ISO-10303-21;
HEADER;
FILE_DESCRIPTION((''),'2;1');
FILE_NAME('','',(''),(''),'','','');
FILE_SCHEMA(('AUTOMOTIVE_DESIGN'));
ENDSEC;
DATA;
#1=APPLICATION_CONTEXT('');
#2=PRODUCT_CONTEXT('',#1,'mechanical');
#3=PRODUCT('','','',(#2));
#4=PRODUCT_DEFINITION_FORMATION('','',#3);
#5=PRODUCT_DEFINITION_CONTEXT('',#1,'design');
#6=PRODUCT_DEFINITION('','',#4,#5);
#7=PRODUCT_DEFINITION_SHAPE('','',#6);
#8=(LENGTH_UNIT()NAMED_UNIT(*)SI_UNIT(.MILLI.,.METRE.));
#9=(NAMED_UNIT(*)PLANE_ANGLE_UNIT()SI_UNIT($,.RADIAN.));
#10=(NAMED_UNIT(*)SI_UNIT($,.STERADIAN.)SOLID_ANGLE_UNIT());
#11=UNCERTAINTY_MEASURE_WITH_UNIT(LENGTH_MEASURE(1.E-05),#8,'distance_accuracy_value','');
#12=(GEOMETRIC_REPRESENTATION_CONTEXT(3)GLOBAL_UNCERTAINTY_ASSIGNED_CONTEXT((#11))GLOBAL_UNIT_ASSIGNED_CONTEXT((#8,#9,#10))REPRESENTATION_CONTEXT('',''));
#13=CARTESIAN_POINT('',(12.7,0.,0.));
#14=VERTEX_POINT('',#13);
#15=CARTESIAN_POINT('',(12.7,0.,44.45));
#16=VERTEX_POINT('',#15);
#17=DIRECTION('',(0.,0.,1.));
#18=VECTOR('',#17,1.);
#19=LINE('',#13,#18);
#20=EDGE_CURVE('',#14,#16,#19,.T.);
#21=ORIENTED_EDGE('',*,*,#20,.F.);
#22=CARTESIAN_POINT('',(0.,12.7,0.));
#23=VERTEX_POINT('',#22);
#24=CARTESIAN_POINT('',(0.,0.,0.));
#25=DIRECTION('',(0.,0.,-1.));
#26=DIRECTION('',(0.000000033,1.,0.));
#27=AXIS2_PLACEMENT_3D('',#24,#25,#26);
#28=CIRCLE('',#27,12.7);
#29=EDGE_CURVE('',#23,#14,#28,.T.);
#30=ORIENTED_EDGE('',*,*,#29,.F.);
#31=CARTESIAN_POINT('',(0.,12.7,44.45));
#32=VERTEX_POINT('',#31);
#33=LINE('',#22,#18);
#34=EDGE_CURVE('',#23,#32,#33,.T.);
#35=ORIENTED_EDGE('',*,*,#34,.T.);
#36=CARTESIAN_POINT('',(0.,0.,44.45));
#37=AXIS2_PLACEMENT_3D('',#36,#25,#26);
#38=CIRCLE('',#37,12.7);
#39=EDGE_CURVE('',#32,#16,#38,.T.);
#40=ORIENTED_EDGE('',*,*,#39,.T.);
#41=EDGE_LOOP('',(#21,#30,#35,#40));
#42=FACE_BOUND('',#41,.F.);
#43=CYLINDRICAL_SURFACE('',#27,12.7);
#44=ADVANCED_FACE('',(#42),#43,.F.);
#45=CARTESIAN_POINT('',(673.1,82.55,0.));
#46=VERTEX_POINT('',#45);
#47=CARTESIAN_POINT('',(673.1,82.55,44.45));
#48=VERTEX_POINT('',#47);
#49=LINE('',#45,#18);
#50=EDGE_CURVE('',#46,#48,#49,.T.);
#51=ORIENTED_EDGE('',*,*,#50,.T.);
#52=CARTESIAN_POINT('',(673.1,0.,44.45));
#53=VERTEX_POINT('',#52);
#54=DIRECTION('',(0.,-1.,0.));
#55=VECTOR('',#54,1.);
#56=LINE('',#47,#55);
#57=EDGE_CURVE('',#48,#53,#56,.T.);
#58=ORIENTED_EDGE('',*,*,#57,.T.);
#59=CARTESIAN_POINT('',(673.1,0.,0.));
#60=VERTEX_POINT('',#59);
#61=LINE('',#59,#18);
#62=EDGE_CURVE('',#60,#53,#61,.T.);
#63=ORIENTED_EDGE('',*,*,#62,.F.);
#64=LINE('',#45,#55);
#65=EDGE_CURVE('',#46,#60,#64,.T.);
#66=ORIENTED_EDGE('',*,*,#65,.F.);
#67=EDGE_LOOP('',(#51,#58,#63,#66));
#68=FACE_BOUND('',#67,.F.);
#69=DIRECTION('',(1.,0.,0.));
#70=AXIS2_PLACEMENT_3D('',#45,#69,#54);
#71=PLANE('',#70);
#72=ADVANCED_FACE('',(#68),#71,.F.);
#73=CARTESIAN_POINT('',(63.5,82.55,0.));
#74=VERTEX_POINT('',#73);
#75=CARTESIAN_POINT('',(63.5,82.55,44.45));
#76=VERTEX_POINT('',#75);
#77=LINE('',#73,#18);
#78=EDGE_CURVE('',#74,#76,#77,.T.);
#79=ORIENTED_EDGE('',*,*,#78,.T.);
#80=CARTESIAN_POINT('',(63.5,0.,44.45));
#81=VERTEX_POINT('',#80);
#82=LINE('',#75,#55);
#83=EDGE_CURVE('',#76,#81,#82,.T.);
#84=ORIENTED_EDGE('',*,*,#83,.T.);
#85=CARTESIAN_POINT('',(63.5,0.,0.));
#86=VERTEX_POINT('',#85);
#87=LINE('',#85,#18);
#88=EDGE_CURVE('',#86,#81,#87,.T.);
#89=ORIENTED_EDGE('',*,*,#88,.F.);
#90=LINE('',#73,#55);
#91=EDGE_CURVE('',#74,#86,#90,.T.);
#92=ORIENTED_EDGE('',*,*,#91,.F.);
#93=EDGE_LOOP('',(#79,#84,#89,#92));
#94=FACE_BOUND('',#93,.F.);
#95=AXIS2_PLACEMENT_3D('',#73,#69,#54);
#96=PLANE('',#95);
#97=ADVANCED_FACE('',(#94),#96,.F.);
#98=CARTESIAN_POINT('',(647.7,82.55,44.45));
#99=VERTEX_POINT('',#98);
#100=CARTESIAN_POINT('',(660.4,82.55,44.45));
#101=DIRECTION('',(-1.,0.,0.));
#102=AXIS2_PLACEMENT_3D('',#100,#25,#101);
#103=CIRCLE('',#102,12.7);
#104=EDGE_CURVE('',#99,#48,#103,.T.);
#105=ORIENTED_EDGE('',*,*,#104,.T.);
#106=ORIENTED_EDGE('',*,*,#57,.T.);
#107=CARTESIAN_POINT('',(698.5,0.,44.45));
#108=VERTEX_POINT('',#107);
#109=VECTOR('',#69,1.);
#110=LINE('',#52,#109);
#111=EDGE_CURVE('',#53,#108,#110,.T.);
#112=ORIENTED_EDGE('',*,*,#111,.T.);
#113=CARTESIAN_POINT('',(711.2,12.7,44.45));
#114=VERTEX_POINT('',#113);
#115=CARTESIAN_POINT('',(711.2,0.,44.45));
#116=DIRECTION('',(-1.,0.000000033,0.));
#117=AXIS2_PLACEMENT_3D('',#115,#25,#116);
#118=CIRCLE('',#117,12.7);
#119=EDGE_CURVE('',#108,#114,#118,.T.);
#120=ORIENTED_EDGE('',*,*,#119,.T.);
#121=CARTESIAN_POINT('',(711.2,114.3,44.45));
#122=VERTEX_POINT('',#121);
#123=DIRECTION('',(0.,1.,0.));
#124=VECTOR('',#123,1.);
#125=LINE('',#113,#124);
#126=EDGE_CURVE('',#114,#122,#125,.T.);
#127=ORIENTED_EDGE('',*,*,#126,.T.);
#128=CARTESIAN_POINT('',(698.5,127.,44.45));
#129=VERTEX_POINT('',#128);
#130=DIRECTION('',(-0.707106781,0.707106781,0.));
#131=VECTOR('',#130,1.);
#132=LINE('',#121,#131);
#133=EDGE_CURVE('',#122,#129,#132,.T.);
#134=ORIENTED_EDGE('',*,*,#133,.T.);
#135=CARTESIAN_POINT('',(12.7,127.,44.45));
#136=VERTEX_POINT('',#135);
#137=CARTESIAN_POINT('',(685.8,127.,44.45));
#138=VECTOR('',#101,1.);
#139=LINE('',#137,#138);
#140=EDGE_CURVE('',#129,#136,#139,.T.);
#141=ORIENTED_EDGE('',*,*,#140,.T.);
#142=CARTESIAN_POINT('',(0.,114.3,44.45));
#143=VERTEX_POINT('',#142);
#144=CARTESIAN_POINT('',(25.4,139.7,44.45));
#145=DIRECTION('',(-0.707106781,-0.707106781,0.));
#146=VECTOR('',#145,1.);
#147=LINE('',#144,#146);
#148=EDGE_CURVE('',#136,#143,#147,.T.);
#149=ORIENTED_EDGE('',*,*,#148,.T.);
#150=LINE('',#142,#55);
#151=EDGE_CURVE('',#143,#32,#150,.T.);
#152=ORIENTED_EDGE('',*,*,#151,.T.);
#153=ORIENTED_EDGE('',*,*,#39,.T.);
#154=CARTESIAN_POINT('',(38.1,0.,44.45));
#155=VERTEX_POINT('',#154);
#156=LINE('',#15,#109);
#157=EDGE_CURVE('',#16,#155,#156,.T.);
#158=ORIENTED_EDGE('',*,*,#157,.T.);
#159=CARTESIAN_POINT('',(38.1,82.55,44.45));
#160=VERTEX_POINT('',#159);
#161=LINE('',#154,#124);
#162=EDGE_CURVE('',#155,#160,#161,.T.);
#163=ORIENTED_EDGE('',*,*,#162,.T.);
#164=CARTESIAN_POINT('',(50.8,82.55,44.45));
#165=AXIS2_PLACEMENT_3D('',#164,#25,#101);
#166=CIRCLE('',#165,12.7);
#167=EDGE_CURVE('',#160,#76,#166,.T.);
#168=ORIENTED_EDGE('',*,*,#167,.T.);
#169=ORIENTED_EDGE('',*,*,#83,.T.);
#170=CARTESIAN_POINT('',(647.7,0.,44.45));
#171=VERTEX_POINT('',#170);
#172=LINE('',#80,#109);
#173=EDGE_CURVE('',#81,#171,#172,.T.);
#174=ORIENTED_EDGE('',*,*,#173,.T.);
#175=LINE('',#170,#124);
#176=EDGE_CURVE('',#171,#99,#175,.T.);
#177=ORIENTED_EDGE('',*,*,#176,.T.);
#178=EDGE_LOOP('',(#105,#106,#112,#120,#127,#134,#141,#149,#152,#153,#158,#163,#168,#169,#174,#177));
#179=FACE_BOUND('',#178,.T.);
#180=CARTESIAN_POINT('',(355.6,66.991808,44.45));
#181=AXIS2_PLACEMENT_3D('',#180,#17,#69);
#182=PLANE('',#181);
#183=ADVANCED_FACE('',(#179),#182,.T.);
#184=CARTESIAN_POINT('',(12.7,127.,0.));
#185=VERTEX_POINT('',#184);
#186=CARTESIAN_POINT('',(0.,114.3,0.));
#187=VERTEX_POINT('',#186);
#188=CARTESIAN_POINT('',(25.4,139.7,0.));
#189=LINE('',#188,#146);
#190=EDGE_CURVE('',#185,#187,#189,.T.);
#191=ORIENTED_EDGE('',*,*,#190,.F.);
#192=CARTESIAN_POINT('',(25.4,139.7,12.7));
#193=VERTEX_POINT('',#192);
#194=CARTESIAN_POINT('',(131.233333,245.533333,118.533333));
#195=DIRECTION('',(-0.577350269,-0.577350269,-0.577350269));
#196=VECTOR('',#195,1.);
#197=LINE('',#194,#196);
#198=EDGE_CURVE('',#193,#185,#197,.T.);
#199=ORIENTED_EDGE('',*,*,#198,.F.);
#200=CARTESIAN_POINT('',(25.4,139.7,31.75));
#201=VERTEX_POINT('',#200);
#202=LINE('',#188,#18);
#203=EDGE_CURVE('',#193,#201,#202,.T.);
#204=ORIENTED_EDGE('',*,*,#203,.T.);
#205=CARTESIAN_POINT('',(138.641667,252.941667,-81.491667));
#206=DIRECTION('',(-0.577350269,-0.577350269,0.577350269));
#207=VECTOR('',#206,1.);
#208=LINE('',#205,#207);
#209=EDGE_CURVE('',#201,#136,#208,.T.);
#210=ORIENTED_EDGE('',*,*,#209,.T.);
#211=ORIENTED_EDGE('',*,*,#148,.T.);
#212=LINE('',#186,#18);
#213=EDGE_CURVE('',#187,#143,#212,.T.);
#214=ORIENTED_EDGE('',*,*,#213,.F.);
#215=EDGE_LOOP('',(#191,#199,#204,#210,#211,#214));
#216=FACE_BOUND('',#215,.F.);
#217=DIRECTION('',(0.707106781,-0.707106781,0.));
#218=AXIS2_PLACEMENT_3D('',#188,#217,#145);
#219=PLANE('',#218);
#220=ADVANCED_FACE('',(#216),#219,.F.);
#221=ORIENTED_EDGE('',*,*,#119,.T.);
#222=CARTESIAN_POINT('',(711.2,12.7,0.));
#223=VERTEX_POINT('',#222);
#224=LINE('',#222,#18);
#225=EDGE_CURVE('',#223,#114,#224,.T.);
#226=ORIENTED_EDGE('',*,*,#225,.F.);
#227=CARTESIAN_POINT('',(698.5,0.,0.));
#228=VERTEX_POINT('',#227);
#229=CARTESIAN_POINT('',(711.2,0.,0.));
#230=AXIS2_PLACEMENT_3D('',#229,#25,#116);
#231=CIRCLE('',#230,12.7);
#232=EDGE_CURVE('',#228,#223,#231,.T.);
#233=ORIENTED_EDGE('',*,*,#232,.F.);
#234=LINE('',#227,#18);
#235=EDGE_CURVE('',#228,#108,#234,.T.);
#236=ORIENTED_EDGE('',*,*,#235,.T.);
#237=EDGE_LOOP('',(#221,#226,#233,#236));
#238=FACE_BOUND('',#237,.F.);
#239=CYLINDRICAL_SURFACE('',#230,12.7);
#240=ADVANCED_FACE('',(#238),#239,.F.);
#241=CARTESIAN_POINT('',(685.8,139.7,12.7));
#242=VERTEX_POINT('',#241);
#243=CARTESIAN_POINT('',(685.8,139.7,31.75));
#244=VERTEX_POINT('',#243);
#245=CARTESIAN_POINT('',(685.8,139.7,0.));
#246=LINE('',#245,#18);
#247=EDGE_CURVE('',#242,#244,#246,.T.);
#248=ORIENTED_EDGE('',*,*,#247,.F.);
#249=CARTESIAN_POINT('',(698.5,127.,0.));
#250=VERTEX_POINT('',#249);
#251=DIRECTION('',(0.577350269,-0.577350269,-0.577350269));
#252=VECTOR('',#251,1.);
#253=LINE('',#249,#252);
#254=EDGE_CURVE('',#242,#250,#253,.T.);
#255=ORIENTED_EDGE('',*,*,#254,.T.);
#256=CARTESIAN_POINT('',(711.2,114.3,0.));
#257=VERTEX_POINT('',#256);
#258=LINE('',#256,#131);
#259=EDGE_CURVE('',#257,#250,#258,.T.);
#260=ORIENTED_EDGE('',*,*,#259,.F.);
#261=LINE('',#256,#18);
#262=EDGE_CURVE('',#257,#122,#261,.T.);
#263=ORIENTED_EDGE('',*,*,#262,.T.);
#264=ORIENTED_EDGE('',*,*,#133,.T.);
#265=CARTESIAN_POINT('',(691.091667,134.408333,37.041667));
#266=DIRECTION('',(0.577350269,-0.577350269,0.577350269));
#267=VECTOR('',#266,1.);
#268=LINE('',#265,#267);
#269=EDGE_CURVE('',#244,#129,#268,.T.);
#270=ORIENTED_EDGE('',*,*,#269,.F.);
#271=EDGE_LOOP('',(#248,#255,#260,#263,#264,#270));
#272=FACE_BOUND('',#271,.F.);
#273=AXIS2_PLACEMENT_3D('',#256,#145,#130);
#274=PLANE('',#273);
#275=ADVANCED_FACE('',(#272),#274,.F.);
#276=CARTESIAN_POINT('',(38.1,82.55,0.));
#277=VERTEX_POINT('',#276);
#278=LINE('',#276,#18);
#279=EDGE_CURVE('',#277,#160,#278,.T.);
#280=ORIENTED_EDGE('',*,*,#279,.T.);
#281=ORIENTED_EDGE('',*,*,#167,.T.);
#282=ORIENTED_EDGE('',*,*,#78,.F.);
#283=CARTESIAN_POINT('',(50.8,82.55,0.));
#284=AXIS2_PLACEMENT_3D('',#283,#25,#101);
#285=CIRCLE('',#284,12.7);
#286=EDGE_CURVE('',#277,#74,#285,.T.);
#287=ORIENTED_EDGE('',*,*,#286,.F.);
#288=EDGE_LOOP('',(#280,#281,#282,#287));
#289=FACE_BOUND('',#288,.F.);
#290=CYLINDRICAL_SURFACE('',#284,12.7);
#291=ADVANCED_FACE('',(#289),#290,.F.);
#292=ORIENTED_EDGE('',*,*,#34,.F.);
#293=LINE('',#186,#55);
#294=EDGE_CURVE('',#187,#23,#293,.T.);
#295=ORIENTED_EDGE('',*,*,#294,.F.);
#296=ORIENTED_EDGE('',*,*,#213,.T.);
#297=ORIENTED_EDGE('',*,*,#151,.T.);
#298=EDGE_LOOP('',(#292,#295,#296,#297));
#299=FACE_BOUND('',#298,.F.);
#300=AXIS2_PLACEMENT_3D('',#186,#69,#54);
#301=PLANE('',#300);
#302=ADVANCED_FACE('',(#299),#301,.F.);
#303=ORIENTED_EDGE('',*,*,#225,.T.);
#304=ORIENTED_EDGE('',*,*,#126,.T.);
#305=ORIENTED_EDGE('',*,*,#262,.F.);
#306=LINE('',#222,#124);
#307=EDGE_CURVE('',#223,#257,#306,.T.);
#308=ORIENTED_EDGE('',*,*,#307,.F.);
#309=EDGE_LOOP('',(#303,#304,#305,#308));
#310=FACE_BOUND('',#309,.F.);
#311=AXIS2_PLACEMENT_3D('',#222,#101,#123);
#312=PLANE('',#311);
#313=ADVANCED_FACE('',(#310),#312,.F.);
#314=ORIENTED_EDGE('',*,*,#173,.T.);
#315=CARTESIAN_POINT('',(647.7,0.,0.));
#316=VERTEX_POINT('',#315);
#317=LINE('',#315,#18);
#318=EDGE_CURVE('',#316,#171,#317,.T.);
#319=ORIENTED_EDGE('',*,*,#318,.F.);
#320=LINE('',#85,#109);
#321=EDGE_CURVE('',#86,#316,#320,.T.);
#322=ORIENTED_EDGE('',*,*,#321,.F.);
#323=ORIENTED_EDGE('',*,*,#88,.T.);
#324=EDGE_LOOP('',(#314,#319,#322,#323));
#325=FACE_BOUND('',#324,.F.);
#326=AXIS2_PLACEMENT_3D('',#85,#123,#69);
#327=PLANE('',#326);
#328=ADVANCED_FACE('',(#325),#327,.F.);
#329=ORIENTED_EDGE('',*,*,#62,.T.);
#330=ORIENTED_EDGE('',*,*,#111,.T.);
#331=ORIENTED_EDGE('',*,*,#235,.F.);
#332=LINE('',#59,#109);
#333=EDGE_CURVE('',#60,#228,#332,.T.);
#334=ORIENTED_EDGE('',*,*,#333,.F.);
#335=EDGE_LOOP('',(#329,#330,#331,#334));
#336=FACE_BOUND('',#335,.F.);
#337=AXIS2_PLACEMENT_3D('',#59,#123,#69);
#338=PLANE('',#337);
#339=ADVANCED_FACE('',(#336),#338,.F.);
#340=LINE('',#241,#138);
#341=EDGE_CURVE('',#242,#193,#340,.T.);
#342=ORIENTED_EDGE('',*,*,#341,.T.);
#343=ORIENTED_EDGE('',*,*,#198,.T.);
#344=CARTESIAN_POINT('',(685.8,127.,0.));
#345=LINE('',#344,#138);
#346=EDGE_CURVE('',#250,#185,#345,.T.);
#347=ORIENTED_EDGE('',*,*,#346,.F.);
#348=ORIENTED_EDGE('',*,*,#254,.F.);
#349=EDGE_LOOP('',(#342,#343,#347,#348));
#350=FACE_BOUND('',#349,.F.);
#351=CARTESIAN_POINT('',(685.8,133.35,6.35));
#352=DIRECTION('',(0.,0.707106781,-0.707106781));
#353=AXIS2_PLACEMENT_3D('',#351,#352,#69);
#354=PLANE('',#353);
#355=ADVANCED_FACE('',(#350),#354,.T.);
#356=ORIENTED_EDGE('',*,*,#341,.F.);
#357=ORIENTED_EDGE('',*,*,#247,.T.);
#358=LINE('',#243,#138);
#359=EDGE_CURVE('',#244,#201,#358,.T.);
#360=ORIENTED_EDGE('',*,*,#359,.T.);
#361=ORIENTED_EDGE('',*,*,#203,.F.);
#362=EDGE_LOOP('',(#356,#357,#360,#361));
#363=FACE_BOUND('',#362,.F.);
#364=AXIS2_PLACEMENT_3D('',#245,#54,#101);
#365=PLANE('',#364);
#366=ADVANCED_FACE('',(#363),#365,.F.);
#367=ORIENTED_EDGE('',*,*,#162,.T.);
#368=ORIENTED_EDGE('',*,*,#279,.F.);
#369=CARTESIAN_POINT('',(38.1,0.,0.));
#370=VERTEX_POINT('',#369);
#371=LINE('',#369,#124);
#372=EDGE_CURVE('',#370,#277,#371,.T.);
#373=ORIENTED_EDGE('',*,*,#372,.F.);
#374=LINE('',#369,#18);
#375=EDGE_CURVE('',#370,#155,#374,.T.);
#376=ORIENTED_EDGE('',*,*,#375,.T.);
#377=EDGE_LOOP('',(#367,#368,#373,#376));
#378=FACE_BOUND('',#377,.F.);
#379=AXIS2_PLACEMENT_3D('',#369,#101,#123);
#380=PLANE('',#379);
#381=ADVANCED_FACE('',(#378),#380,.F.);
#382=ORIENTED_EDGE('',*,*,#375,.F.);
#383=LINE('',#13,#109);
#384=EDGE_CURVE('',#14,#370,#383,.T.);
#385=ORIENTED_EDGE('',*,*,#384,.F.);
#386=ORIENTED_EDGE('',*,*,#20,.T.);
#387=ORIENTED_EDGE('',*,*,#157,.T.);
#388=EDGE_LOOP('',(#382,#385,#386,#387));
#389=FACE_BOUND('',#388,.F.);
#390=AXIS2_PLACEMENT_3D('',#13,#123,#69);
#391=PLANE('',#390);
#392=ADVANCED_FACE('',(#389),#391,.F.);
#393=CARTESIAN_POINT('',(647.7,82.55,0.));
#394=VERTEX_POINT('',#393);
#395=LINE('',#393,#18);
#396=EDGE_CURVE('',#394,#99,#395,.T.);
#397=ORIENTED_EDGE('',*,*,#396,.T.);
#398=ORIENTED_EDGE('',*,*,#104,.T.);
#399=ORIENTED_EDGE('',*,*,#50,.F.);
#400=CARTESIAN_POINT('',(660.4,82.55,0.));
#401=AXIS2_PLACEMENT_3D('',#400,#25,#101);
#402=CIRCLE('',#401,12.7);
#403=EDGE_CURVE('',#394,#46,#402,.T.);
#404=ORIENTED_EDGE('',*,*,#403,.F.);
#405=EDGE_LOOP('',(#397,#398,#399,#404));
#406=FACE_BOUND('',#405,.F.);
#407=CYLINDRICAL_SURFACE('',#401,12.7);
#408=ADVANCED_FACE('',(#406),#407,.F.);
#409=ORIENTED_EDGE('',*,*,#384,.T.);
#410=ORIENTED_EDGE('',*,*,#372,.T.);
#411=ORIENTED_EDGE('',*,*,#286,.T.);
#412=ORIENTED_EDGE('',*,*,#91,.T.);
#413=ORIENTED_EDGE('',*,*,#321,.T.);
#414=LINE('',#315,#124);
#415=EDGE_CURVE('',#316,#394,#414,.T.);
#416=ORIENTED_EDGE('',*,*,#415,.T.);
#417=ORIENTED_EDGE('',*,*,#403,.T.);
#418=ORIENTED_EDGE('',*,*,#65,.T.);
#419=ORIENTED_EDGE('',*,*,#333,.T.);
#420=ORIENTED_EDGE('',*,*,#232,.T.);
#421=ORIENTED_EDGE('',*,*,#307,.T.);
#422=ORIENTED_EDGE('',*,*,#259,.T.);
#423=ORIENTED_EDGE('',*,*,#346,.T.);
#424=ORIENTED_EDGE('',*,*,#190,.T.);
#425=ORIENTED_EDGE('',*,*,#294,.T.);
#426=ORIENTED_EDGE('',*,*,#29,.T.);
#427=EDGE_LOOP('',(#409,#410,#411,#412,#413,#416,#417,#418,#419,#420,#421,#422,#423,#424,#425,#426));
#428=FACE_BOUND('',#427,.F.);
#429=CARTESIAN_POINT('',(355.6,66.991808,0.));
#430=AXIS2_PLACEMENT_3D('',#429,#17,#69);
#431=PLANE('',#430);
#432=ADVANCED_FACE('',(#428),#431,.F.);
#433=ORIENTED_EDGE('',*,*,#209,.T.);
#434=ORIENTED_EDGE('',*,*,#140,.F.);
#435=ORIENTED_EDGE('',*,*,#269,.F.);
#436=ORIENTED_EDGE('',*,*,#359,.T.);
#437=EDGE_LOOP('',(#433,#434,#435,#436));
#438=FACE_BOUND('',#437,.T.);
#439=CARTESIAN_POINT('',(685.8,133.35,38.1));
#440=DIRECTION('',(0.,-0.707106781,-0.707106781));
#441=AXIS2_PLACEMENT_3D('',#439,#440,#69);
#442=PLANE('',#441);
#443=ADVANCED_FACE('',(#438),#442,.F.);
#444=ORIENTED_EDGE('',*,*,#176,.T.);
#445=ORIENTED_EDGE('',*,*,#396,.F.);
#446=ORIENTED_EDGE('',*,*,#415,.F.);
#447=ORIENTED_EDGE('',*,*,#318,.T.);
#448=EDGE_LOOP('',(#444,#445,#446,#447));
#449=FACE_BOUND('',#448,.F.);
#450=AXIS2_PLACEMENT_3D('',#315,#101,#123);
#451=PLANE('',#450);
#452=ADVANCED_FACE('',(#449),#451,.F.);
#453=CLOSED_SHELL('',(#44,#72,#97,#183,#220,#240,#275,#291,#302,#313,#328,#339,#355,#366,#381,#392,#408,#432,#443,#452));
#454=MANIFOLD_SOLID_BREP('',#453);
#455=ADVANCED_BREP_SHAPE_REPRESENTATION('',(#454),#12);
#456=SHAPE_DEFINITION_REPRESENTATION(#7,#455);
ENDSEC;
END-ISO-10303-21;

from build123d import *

# Parameters (mm, degrees)
F1_DEPTH = 44.45
F2_SIZE  = 12.7


with BuildPart() as f1:
    # F0 (on Top) → F1 (new body)
    with BuildSketch(Plane.XY):
        with BuildLine():
            ThreePointArc((38.1, 82.55), (50.8, 95.25), (63.5, 82.55))
            Line((63.5, 82.55), (63.5, 0))
            Line((63.5, 0), (105.023582, 0))
            Line((105.023582, 0), (355.6, 0))
            Line((355.6, 0), (606.176418, 0))
            Line((606.176418, 0), (647.7, 0))
            Line((647.7, 0), (647.7, 82.55))
            ThreePointArc((647.7, 82.55), (660.4, 95.25), (673.1, 82.55))
            Line((673.1, 82.55), (673.1, 0))
            Line((673.1, 0), (698.5, 0))
            ThreePointArc((698.5, 0), (702.219744, 8.980256), (711.2, 12.7))
            Line((711.2, 12.7), (711.2, 114.3))
            Line((711.2, 114.3), (685.8, 139.7))
            Line((685.8, 139.7), (355.6, 139.7))
            Line((355.6, 139.7), (25.4, 139.7))
            Line((25.4, 139.7), (0, 114.3))
            Line((0, 114.3), (0, 12.7))
            ThreePointArc((0, 12.7), (8.980256, 8.980256), (12.7, 0))
            Line((12.7, 0), (38.1, 0))
            Line((38.1, 0), (38.1, 82.55))
        make_face()
    extrude(amount=F1_DEPTH)

    # F2
    f2_edges = [f1.edges().sort_by_distance(p)[0] for p in [
        (355.6, 139.7, 44.45),
        (355.6, 139.7, 0),
    ]]
    chamfer(f2_edges, length=F2_SIZE)


solid = f1.part
